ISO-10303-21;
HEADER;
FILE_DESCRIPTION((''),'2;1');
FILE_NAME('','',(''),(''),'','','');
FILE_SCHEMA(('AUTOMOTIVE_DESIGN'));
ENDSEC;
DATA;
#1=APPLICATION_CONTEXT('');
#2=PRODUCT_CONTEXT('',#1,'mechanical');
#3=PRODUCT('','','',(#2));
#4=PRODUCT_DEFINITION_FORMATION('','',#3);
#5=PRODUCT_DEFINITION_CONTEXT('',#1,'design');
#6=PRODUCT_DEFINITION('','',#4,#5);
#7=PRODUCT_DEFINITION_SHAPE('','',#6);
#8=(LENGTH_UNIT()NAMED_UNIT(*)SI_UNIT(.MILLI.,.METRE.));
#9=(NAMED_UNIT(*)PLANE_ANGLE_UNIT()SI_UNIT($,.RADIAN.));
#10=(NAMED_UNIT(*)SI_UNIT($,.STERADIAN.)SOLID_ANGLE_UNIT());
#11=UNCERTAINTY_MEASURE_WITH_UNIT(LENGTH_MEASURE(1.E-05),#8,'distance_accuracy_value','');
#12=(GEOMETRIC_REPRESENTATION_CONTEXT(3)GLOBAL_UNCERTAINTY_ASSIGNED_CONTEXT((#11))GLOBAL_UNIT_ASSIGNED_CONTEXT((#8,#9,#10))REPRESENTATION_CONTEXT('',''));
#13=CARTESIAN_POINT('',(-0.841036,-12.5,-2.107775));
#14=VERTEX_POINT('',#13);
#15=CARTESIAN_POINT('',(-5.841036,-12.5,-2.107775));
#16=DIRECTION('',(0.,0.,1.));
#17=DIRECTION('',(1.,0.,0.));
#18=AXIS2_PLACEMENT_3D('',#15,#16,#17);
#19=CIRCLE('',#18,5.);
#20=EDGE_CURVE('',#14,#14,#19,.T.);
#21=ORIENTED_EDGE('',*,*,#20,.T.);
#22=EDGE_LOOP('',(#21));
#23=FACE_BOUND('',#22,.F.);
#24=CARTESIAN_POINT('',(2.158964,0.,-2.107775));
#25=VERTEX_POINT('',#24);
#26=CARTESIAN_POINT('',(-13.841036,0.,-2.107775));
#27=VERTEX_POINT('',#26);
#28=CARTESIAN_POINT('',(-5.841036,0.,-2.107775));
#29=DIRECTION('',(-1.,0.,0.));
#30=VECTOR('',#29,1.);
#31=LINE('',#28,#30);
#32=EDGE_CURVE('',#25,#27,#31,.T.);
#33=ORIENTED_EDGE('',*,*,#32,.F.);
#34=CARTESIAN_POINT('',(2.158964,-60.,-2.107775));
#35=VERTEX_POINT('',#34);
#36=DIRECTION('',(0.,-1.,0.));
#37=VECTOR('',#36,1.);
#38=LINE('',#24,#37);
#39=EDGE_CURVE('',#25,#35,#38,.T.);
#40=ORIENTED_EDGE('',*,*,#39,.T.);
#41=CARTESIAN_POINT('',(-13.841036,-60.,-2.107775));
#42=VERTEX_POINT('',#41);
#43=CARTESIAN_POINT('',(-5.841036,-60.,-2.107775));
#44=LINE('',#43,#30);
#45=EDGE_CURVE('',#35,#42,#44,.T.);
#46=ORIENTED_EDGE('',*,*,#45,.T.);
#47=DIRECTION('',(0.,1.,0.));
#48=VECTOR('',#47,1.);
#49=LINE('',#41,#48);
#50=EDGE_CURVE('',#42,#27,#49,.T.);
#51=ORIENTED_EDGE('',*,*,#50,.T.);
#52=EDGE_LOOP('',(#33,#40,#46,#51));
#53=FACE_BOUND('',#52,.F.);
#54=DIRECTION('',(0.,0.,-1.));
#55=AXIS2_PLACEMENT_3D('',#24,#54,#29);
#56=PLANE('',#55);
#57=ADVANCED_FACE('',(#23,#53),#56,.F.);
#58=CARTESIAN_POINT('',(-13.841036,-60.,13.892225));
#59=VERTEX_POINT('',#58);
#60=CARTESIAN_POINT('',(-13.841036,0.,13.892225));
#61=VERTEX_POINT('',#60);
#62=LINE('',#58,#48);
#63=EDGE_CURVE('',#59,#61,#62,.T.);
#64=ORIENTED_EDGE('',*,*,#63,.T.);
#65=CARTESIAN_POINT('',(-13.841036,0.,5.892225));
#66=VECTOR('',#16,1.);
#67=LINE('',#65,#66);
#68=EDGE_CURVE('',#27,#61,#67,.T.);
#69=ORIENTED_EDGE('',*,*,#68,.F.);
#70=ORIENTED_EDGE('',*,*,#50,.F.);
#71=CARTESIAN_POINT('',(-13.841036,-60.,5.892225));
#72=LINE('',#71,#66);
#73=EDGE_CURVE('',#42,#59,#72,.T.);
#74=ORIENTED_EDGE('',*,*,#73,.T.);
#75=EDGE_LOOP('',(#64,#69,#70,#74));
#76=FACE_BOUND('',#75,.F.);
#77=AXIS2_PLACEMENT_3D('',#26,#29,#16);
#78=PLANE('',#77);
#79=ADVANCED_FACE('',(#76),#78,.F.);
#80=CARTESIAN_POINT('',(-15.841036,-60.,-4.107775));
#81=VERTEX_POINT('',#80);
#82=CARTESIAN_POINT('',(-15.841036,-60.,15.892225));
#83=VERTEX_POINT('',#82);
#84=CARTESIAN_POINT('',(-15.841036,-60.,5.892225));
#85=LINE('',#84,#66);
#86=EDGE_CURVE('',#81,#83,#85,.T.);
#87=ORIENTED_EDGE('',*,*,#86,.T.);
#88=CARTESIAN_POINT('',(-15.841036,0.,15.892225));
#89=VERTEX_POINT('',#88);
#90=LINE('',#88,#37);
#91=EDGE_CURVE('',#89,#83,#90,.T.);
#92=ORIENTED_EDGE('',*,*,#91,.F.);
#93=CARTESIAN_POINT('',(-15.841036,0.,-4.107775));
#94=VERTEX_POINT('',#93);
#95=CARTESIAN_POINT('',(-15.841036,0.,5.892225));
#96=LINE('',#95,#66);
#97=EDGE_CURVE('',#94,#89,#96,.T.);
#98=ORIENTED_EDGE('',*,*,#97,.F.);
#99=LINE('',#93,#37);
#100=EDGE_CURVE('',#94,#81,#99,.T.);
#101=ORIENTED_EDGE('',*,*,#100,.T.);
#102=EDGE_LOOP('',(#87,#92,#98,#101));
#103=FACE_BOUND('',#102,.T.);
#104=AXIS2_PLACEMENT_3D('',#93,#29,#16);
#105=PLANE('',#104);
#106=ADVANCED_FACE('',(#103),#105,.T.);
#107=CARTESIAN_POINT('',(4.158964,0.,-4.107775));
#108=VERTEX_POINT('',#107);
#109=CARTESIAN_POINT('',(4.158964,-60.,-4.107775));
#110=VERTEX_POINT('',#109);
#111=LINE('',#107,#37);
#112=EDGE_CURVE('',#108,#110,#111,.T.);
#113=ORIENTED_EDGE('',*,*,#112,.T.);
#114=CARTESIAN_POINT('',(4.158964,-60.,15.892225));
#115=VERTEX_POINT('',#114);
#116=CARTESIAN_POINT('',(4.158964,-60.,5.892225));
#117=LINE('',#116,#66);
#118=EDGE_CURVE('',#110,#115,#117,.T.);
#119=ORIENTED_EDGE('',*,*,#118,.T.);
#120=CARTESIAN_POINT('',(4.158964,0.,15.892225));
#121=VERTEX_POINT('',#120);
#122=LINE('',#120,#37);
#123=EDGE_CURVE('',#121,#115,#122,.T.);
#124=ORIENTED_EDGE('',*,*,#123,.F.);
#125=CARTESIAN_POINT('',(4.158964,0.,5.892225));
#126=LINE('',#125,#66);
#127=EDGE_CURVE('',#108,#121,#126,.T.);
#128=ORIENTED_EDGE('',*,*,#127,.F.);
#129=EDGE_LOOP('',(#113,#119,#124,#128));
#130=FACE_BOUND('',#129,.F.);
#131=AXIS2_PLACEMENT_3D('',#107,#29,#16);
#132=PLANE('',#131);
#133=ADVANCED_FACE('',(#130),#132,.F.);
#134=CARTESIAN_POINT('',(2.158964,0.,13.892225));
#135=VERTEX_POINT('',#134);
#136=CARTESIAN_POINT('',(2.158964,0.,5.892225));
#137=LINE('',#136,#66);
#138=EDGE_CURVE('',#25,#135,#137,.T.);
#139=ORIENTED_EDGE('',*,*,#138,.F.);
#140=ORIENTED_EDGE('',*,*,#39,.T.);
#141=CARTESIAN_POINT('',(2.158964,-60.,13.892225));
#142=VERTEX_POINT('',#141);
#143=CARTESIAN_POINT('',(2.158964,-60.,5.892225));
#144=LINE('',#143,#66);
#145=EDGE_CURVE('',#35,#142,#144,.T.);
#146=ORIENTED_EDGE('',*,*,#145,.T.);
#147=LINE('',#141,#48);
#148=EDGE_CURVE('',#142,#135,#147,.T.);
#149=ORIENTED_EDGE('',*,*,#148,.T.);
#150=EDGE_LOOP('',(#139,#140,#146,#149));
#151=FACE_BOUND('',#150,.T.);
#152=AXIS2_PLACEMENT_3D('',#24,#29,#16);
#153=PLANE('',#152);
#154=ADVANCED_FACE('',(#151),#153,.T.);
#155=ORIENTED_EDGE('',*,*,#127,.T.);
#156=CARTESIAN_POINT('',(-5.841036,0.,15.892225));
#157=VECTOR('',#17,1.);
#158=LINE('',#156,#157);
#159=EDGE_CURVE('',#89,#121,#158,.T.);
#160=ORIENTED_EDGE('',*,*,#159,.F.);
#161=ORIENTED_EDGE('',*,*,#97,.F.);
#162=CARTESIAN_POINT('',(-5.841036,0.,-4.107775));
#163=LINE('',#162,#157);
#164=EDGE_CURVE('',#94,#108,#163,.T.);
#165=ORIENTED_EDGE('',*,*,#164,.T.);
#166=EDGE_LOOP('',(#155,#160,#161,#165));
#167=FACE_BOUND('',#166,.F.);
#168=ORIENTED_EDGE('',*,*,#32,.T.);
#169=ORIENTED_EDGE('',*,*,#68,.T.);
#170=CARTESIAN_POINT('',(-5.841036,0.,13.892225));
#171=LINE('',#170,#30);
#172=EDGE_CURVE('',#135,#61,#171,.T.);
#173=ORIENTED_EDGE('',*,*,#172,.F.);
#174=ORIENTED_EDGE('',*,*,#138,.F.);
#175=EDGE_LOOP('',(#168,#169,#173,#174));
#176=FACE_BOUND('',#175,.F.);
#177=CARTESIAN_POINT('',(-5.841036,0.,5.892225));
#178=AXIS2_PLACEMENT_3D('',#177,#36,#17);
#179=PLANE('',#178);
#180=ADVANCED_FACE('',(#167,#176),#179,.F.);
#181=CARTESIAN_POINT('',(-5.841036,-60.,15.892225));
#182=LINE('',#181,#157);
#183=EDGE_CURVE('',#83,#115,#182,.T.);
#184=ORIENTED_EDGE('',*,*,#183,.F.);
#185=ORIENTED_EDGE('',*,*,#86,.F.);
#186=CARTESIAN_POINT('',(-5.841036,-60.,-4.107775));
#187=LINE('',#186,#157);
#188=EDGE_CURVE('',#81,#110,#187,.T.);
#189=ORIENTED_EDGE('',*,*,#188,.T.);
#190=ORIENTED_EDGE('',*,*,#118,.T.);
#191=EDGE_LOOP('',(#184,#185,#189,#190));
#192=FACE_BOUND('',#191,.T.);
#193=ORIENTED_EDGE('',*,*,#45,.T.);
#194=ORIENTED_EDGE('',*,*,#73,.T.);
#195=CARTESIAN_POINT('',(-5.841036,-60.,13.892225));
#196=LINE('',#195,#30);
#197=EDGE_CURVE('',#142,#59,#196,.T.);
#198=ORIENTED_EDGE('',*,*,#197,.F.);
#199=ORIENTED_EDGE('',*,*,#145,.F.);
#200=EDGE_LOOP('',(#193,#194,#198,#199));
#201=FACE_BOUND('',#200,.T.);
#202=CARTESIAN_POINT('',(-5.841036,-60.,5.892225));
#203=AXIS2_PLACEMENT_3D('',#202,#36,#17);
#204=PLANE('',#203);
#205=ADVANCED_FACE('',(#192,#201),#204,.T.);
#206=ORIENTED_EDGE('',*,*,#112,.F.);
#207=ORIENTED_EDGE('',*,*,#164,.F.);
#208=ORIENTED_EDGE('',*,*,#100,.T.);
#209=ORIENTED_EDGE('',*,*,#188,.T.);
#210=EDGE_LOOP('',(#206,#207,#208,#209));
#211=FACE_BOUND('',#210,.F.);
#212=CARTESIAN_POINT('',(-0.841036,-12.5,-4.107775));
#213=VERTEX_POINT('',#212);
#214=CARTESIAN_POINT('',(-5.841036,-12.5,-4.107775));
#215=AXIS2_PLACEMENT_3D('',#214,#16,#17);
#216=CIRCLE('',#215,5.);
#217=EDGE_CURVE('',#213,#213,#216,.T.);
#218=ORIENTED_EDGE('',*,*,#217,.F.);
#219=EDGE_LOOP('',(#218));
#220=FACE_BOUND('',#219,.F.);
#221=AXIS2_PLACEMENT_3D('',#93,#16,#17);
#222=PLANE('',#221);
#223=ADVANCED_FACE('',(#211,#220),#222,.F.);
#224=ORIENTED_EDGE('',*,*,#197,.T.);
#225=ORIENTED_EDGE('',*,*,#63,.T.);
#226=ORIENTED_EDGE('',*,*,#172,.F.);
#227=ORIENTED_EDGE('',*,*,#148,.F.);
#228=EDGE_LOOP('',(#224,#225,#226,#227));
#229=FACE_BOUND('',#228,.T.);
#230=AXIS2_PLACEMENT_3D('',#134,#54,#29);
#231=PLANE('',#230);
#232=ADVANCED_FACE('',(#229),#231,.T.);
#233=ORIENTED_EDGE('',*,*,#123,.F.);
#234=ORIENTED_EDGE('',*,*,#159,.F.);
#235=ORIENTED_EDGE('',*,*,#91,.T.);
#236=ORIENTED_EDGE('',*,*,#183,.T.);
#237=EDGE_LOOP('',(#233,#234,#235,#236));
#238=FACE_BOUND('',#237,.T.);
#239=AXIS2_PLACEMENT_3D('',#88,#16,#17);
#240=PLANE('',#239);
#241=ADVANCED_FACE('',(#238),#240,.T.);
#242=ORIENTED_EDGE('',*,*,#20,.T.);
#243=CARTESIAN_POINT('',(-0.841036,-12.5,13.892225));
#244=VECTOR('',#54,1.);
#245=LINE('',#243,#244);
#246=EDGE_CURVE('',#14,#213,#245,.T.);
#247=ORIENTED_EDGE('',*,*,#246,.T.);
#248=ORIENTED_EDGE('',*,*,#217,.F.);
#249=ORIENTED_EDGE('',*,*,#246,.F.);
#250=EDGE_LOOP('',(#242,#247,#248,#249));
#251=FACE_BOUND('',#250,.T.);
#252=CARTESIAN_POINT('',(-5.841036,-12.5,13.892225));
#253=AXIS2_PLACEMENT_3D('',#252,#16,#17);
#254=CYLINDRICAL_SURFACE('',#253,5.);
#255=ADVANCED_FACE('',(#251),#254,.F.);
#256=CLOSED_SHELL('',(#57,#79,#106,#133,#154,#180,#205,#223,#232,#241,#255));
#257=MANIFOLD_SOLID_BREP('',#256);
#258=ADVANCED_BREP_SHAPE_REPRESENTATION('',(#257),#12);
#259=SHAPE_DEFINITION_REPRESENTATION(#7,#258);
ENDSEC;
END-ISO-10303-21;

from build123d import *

# Parameters (mm, degrees)
F0_W     = 20
F0_H     = 20
F1_DEPTH = 60
F2_W     = 16
F2_H     = 16
F3_DEPTH = 25
F4_R     = 5
F5_DEPTH = 25
F6_W     = 16
F6_H     = 16
F7_DEPTH = 35


with BuildPart() as f1:
    # F0 (on Front) → F1 (new body)
    with BuildSketch(Plane.XZ):
        with Locations((-5.841036, 5.892225)):
            Rectangle(F0_W, F0_H)
    extrude(amount=F1_DEPTH)

    # F2 (on face) → F3 (cut)
    with BuildSketch(Plane(origin=(0, 0, 0), x_dir=(-1, 0, 0), z_dir=(0, 1, 0))):
        with Locations((5.841036, 5.892225)):
            Rectangle(F2_W, F2_H)
    extrude(amount=-F3_DEPTH, mode=Mode.SUBTRACT)

    # F4 (on face) → F5 (cut)
    with BuildSketch(Plane(origin=(0, 0, 13.892225), x_dir=(1, 0, 0), z_dir=(0, 0, -1))):
        with Locations((-5.841036, 12.5)):
            Circle(F4_R)
    extrude(amount=F5_DEPTH, mode=Mode.SUBTRACT)

    # F6 (on face) → F7 (cut, through all)
    with BuildSketch(Plane(origin=(0, -25, 0), x_dir=(-1, 0, 0), z_dir=(0, 1, 0))):
        with Locations((5.841036, 5.892225)):
            Rectangle(F6_W, F6_H)
    extrude(amount=-F7_DEPTH, mode=Mode.SUBTRACT)


solid = f1.part
